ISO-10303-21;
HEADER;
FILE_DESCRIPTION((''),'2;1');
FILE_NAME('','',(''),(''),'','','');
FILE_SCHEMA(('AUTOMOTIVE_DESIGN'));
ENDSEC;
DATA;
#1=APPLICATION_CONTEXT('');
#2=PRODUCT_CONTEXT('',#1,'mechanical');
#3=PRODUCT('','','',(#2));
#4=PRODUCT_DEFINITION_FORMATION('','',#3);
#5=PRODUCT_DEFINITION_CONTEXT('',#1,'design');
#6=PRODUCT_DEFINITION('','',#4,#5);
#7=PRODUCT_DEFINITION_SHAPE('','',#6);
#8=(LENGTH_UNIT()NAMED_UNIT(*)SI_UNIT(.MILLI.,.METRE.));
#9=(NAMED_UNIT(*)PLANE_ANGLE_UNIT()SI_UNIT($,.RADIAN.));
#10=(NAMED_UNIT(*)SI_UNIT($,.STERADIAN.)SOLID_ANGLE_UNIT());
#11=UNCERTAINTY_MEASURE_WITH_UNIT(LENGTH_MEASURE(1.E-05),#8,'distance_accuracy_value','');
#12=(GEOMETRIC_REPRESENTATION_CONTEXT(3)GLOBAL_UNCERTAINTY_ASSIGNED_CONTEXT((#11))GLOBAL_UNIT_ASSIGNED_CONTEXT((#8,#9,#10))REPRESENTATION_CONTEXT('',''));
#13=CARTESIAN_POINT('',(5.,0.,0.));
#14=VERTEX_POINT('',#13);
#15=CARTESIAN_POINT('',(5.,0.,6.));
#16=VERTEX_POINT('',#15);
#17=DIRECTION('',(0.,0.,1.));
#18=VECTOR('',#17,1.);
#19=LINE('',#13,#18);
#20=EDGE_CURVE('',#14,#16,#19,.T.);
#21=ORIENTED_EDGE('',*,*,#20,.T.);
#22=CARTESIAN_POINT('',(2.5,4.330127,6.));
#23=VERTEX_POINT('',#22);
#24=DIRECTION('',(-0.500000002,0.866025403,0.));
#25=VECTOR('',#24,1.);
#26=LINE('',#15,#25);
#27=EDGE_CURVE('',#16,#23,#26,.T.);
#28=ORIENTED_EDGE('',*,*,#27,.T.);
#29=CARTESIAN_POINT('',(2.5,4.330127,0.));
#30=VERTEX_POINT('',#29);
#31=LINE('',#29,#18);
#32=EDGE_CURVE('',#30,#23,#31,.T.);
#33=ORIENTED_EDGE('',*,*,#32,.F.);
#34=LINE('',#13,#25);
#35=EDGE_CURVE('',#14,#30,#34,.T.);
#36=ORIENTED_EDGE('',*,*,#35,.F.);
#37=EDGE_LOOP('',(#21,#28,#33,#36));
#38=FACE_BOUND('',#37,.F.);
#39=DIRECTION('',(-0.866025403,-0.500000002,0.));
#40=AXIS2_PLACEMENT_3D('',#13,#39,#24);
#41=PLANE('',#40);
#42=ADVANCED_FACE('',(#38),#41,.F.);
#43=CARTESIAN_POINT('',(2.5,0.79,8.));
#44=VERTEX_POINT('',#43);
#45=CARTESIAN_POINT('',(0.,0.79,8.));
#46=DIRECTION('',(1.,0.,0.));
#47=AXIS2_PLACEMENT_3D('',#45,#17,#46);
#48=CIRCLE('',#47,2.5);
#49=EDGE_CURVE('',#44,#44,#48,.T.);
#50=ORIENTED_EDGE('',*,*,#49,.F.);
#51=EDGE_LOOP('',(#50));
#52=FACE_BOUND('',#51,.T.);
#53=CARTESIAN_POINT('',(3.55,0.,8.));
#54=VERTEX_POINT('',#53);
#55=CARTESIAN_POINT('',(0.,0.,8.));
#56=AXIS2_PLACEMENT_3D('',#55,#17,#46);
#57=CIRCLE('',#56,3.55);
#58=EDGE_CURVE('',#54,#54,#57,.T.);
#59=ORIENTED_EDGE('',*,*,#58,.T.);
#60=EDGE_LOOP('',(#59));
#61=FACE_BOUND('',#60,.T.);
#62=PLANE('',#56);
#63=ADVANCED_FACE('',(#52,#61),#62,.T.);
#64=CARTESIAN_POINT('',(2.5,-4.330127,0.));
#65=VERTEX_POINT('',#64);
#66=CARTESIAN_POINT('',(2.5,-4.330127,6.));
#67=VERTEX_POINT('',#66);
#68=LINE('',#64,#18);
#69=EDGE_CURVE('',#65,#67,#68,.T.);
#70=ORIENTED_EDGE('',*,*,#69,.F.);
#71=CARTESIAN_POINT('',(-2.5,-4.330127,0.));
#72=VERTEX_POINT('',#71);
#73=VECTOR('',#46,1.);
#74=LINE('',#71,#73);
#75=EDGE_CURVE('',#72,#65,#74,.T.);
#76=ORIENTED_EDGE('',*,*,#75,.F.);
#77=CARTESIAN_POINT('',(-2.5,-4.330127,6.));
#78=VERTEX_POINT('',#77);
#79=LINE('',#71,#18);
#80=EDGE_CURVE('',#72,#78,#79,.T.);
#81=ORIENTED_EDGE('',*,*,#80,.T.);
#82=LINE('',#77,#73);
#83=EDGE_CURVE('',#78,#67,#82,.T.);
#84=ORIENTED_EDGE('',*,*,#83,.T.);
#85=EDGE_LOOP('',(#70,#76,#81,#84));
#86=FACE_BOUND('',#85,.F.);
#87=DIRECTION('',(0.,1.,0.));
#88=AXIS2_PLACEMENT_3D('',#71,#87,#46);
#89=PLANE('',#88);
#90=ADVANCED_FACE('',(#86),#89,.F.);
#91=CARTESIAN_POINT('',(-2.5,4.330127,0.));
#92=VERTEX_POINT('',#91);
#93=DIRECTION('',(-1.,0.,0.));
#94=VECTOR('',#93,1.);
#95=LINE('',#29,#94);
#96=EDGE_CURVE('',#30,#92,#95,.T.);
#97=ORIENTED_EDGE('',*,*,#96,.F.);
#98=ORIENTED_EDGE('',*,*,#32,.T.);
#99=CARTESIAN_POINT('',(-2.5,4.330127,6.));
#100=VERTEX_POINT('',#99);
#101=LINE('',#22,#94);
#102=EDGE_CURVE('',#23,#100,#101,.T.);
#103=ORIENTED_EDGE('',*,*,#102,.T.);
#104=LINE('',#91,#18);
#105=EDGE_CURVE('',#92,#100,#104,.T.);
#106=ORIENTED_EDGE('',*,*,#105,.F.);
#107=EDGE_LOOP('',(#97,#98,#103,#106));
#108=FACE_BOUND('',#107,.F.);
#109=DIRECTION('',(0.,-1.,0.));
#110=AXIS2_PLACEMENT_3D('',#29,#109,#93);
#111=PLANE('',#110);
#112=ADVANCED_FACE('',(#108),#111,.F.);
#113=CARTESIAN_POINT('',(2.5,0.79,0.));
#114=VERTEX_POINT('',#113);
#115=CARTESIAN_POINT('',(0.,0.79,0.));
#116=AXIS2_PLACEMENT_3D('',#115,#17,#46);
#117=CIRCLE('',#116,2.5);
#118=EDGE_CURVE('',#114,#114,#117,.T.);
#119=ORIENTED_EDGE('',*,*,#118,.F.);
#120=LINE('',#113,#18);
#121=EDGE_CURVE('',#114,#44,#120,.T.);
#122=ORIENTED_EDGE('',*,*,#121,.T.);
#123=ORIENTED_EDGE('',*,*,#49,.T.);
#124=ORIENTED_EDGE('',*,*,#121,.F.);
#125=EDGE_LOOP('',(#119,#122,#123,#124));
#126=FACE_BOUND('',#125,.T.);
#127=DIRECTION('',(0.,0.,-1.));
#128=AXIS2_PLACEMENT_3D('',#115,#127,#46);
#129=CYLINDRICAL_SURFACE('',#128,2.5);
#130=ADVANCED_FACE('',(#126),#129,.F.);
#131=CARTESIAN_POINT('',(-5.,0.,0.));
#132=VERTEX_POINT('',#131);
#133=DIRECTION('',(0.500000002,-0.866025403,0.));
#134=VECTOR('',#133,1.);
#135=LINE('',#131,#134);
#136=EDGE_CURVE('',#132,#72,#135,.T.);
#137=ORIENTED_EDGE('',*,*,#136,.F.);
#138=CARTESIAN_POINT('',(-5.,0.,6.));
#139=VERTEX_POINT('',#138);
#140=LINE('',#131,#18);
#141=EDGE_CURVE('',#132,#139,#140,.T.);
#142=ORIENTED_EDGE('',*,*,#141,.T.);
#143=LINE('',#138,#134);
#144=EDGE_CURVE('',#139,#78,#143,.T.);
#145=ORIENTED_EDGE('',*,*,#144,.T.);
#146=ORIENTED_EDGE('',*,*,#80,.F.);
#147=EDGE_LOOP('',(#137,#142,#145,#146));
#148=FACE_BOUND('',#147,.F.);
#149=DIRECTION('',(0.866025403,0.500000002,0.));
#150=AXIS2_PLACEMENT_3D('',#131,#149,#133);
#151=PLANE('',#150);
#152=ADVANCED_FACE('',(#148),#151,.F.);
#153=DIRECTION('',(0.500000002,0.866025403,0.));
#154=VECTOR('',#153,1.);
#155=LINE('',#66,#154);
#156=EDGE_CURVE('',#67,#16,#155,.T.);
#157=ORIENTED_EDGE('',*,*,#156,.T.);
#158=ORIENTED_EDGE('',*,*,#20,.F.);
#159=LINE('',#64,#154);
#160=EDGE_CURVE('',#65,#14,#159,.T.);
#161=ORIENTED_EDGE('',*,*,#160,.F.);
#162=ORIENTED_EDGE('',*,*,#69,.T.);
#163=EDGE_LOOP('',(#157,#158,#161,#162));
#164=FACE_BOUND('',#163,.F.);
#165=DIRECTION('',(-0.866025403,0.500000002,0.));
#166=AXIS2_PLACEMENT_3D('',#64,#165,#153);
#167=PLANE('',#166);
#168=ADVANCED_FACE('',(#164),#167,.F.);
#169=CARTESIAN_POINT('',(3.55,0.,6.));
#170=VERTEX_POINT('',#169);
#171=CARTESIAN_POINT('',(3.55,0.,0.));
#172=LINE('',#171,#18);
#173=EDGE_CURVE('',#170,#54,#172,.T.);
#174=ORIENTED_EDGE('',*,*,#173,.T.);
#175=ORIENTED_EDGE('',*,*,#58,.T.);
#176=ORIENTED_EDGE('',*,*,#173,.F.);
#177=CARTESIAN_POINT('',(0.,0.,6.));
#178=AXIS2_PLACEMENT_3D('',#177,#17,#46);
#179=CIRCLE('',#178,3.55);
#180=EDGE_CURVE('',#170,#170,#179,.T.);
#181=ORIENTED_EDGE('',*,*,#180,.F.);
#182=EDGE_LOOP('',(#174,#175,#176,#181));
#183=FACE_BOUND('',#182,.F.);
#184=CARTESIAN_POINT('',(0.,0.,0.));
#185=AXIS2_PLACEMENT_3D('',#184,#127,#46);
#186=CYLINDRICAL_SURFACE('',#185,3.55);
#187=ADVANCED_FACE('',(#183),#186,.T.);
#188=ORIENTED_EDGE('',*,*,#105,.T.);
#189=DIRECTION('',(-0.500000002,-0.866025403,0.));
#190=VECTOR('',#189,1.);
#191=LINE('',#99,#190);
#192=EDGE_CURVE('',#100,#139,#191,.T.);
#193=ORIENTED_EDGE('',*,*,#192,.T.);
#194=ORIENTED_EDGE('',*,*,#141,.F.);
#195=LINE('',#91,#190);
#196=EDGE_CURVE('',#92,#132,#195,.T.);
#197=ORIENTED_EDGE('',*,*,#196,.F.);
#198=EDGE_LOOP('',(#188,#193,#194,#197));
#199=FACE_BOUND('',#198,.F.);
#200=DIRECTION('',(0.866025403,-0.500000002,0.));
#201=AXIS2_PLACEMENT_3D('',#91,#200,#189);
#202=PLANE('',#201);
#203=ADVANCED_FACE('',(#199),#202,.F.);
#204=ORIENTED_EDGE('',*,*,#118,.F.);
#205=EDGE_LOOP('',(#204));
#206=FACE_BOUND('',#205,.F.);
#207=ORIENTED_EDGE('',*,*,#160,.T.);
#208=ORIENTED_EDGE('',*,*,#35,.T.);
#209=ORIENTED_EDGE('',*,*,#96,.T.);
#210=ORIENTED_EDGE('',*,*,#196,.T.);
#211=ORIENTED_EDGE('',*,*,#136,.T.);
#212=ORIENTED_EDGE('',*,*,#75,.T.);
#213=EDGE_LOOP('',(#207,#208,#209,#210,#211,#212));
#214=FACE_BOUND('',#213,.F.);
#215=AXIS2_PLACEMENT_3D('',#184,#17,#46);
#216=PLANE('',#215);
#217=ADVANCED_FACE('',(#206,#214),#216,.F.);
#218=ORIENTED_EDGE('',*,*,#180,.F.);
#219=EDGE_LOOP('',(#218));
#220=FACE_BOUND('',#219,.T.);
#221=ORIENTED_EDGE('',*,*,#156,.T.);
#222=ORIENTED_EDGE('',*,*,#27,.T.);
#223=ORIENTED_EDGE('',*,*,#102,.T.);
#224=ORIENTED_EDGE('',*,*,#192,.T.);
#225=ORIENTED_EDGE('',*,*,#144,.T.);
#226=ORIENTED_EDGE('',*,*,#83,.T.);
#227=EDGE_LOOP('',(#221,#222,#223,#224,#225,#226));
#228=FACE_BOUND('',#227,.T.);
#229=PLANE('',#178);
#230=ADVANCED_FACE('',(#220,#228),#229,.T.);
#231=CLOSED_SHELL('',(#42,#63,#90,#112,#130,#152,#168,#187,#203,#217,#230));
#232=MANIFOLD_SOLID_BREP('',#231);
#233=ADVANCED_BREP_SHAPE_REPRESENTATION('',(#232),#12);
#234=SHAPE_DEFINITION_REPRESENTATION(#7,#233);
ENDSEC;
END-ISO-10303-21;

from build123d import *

# Parameters (mm, degrees)
F0_R     = 3.55
F1_DEPTH = 6
F0_R_2   = 2.5
F2_DEPTH = 8


with BuildPart() as f1:
    # F0 (on Top) → F1 (new body)
    with BuildSketch(Plane.XY):
        Polygon((2.5, 4.330127), (-2.5, 4.330127), (-5, 0), (-2.5, -4.330127), (2.5, -4.330127), (5, 0), align=None)
        Circle(F0_R, mode=Mode.SUBTRACT)
    extrude(amount=F1_DEPTH)

    # F0 (on Top) → F2 (join)
    with BuildSketch(Plane.XY):
        Circle(F0_R)
        with Locations((0, 0.79)):
            Circle(F0_R_2, mode=Mode.SUBTRACT)
    extrude(amount=F2_DEPTH)


solid = f1.part
